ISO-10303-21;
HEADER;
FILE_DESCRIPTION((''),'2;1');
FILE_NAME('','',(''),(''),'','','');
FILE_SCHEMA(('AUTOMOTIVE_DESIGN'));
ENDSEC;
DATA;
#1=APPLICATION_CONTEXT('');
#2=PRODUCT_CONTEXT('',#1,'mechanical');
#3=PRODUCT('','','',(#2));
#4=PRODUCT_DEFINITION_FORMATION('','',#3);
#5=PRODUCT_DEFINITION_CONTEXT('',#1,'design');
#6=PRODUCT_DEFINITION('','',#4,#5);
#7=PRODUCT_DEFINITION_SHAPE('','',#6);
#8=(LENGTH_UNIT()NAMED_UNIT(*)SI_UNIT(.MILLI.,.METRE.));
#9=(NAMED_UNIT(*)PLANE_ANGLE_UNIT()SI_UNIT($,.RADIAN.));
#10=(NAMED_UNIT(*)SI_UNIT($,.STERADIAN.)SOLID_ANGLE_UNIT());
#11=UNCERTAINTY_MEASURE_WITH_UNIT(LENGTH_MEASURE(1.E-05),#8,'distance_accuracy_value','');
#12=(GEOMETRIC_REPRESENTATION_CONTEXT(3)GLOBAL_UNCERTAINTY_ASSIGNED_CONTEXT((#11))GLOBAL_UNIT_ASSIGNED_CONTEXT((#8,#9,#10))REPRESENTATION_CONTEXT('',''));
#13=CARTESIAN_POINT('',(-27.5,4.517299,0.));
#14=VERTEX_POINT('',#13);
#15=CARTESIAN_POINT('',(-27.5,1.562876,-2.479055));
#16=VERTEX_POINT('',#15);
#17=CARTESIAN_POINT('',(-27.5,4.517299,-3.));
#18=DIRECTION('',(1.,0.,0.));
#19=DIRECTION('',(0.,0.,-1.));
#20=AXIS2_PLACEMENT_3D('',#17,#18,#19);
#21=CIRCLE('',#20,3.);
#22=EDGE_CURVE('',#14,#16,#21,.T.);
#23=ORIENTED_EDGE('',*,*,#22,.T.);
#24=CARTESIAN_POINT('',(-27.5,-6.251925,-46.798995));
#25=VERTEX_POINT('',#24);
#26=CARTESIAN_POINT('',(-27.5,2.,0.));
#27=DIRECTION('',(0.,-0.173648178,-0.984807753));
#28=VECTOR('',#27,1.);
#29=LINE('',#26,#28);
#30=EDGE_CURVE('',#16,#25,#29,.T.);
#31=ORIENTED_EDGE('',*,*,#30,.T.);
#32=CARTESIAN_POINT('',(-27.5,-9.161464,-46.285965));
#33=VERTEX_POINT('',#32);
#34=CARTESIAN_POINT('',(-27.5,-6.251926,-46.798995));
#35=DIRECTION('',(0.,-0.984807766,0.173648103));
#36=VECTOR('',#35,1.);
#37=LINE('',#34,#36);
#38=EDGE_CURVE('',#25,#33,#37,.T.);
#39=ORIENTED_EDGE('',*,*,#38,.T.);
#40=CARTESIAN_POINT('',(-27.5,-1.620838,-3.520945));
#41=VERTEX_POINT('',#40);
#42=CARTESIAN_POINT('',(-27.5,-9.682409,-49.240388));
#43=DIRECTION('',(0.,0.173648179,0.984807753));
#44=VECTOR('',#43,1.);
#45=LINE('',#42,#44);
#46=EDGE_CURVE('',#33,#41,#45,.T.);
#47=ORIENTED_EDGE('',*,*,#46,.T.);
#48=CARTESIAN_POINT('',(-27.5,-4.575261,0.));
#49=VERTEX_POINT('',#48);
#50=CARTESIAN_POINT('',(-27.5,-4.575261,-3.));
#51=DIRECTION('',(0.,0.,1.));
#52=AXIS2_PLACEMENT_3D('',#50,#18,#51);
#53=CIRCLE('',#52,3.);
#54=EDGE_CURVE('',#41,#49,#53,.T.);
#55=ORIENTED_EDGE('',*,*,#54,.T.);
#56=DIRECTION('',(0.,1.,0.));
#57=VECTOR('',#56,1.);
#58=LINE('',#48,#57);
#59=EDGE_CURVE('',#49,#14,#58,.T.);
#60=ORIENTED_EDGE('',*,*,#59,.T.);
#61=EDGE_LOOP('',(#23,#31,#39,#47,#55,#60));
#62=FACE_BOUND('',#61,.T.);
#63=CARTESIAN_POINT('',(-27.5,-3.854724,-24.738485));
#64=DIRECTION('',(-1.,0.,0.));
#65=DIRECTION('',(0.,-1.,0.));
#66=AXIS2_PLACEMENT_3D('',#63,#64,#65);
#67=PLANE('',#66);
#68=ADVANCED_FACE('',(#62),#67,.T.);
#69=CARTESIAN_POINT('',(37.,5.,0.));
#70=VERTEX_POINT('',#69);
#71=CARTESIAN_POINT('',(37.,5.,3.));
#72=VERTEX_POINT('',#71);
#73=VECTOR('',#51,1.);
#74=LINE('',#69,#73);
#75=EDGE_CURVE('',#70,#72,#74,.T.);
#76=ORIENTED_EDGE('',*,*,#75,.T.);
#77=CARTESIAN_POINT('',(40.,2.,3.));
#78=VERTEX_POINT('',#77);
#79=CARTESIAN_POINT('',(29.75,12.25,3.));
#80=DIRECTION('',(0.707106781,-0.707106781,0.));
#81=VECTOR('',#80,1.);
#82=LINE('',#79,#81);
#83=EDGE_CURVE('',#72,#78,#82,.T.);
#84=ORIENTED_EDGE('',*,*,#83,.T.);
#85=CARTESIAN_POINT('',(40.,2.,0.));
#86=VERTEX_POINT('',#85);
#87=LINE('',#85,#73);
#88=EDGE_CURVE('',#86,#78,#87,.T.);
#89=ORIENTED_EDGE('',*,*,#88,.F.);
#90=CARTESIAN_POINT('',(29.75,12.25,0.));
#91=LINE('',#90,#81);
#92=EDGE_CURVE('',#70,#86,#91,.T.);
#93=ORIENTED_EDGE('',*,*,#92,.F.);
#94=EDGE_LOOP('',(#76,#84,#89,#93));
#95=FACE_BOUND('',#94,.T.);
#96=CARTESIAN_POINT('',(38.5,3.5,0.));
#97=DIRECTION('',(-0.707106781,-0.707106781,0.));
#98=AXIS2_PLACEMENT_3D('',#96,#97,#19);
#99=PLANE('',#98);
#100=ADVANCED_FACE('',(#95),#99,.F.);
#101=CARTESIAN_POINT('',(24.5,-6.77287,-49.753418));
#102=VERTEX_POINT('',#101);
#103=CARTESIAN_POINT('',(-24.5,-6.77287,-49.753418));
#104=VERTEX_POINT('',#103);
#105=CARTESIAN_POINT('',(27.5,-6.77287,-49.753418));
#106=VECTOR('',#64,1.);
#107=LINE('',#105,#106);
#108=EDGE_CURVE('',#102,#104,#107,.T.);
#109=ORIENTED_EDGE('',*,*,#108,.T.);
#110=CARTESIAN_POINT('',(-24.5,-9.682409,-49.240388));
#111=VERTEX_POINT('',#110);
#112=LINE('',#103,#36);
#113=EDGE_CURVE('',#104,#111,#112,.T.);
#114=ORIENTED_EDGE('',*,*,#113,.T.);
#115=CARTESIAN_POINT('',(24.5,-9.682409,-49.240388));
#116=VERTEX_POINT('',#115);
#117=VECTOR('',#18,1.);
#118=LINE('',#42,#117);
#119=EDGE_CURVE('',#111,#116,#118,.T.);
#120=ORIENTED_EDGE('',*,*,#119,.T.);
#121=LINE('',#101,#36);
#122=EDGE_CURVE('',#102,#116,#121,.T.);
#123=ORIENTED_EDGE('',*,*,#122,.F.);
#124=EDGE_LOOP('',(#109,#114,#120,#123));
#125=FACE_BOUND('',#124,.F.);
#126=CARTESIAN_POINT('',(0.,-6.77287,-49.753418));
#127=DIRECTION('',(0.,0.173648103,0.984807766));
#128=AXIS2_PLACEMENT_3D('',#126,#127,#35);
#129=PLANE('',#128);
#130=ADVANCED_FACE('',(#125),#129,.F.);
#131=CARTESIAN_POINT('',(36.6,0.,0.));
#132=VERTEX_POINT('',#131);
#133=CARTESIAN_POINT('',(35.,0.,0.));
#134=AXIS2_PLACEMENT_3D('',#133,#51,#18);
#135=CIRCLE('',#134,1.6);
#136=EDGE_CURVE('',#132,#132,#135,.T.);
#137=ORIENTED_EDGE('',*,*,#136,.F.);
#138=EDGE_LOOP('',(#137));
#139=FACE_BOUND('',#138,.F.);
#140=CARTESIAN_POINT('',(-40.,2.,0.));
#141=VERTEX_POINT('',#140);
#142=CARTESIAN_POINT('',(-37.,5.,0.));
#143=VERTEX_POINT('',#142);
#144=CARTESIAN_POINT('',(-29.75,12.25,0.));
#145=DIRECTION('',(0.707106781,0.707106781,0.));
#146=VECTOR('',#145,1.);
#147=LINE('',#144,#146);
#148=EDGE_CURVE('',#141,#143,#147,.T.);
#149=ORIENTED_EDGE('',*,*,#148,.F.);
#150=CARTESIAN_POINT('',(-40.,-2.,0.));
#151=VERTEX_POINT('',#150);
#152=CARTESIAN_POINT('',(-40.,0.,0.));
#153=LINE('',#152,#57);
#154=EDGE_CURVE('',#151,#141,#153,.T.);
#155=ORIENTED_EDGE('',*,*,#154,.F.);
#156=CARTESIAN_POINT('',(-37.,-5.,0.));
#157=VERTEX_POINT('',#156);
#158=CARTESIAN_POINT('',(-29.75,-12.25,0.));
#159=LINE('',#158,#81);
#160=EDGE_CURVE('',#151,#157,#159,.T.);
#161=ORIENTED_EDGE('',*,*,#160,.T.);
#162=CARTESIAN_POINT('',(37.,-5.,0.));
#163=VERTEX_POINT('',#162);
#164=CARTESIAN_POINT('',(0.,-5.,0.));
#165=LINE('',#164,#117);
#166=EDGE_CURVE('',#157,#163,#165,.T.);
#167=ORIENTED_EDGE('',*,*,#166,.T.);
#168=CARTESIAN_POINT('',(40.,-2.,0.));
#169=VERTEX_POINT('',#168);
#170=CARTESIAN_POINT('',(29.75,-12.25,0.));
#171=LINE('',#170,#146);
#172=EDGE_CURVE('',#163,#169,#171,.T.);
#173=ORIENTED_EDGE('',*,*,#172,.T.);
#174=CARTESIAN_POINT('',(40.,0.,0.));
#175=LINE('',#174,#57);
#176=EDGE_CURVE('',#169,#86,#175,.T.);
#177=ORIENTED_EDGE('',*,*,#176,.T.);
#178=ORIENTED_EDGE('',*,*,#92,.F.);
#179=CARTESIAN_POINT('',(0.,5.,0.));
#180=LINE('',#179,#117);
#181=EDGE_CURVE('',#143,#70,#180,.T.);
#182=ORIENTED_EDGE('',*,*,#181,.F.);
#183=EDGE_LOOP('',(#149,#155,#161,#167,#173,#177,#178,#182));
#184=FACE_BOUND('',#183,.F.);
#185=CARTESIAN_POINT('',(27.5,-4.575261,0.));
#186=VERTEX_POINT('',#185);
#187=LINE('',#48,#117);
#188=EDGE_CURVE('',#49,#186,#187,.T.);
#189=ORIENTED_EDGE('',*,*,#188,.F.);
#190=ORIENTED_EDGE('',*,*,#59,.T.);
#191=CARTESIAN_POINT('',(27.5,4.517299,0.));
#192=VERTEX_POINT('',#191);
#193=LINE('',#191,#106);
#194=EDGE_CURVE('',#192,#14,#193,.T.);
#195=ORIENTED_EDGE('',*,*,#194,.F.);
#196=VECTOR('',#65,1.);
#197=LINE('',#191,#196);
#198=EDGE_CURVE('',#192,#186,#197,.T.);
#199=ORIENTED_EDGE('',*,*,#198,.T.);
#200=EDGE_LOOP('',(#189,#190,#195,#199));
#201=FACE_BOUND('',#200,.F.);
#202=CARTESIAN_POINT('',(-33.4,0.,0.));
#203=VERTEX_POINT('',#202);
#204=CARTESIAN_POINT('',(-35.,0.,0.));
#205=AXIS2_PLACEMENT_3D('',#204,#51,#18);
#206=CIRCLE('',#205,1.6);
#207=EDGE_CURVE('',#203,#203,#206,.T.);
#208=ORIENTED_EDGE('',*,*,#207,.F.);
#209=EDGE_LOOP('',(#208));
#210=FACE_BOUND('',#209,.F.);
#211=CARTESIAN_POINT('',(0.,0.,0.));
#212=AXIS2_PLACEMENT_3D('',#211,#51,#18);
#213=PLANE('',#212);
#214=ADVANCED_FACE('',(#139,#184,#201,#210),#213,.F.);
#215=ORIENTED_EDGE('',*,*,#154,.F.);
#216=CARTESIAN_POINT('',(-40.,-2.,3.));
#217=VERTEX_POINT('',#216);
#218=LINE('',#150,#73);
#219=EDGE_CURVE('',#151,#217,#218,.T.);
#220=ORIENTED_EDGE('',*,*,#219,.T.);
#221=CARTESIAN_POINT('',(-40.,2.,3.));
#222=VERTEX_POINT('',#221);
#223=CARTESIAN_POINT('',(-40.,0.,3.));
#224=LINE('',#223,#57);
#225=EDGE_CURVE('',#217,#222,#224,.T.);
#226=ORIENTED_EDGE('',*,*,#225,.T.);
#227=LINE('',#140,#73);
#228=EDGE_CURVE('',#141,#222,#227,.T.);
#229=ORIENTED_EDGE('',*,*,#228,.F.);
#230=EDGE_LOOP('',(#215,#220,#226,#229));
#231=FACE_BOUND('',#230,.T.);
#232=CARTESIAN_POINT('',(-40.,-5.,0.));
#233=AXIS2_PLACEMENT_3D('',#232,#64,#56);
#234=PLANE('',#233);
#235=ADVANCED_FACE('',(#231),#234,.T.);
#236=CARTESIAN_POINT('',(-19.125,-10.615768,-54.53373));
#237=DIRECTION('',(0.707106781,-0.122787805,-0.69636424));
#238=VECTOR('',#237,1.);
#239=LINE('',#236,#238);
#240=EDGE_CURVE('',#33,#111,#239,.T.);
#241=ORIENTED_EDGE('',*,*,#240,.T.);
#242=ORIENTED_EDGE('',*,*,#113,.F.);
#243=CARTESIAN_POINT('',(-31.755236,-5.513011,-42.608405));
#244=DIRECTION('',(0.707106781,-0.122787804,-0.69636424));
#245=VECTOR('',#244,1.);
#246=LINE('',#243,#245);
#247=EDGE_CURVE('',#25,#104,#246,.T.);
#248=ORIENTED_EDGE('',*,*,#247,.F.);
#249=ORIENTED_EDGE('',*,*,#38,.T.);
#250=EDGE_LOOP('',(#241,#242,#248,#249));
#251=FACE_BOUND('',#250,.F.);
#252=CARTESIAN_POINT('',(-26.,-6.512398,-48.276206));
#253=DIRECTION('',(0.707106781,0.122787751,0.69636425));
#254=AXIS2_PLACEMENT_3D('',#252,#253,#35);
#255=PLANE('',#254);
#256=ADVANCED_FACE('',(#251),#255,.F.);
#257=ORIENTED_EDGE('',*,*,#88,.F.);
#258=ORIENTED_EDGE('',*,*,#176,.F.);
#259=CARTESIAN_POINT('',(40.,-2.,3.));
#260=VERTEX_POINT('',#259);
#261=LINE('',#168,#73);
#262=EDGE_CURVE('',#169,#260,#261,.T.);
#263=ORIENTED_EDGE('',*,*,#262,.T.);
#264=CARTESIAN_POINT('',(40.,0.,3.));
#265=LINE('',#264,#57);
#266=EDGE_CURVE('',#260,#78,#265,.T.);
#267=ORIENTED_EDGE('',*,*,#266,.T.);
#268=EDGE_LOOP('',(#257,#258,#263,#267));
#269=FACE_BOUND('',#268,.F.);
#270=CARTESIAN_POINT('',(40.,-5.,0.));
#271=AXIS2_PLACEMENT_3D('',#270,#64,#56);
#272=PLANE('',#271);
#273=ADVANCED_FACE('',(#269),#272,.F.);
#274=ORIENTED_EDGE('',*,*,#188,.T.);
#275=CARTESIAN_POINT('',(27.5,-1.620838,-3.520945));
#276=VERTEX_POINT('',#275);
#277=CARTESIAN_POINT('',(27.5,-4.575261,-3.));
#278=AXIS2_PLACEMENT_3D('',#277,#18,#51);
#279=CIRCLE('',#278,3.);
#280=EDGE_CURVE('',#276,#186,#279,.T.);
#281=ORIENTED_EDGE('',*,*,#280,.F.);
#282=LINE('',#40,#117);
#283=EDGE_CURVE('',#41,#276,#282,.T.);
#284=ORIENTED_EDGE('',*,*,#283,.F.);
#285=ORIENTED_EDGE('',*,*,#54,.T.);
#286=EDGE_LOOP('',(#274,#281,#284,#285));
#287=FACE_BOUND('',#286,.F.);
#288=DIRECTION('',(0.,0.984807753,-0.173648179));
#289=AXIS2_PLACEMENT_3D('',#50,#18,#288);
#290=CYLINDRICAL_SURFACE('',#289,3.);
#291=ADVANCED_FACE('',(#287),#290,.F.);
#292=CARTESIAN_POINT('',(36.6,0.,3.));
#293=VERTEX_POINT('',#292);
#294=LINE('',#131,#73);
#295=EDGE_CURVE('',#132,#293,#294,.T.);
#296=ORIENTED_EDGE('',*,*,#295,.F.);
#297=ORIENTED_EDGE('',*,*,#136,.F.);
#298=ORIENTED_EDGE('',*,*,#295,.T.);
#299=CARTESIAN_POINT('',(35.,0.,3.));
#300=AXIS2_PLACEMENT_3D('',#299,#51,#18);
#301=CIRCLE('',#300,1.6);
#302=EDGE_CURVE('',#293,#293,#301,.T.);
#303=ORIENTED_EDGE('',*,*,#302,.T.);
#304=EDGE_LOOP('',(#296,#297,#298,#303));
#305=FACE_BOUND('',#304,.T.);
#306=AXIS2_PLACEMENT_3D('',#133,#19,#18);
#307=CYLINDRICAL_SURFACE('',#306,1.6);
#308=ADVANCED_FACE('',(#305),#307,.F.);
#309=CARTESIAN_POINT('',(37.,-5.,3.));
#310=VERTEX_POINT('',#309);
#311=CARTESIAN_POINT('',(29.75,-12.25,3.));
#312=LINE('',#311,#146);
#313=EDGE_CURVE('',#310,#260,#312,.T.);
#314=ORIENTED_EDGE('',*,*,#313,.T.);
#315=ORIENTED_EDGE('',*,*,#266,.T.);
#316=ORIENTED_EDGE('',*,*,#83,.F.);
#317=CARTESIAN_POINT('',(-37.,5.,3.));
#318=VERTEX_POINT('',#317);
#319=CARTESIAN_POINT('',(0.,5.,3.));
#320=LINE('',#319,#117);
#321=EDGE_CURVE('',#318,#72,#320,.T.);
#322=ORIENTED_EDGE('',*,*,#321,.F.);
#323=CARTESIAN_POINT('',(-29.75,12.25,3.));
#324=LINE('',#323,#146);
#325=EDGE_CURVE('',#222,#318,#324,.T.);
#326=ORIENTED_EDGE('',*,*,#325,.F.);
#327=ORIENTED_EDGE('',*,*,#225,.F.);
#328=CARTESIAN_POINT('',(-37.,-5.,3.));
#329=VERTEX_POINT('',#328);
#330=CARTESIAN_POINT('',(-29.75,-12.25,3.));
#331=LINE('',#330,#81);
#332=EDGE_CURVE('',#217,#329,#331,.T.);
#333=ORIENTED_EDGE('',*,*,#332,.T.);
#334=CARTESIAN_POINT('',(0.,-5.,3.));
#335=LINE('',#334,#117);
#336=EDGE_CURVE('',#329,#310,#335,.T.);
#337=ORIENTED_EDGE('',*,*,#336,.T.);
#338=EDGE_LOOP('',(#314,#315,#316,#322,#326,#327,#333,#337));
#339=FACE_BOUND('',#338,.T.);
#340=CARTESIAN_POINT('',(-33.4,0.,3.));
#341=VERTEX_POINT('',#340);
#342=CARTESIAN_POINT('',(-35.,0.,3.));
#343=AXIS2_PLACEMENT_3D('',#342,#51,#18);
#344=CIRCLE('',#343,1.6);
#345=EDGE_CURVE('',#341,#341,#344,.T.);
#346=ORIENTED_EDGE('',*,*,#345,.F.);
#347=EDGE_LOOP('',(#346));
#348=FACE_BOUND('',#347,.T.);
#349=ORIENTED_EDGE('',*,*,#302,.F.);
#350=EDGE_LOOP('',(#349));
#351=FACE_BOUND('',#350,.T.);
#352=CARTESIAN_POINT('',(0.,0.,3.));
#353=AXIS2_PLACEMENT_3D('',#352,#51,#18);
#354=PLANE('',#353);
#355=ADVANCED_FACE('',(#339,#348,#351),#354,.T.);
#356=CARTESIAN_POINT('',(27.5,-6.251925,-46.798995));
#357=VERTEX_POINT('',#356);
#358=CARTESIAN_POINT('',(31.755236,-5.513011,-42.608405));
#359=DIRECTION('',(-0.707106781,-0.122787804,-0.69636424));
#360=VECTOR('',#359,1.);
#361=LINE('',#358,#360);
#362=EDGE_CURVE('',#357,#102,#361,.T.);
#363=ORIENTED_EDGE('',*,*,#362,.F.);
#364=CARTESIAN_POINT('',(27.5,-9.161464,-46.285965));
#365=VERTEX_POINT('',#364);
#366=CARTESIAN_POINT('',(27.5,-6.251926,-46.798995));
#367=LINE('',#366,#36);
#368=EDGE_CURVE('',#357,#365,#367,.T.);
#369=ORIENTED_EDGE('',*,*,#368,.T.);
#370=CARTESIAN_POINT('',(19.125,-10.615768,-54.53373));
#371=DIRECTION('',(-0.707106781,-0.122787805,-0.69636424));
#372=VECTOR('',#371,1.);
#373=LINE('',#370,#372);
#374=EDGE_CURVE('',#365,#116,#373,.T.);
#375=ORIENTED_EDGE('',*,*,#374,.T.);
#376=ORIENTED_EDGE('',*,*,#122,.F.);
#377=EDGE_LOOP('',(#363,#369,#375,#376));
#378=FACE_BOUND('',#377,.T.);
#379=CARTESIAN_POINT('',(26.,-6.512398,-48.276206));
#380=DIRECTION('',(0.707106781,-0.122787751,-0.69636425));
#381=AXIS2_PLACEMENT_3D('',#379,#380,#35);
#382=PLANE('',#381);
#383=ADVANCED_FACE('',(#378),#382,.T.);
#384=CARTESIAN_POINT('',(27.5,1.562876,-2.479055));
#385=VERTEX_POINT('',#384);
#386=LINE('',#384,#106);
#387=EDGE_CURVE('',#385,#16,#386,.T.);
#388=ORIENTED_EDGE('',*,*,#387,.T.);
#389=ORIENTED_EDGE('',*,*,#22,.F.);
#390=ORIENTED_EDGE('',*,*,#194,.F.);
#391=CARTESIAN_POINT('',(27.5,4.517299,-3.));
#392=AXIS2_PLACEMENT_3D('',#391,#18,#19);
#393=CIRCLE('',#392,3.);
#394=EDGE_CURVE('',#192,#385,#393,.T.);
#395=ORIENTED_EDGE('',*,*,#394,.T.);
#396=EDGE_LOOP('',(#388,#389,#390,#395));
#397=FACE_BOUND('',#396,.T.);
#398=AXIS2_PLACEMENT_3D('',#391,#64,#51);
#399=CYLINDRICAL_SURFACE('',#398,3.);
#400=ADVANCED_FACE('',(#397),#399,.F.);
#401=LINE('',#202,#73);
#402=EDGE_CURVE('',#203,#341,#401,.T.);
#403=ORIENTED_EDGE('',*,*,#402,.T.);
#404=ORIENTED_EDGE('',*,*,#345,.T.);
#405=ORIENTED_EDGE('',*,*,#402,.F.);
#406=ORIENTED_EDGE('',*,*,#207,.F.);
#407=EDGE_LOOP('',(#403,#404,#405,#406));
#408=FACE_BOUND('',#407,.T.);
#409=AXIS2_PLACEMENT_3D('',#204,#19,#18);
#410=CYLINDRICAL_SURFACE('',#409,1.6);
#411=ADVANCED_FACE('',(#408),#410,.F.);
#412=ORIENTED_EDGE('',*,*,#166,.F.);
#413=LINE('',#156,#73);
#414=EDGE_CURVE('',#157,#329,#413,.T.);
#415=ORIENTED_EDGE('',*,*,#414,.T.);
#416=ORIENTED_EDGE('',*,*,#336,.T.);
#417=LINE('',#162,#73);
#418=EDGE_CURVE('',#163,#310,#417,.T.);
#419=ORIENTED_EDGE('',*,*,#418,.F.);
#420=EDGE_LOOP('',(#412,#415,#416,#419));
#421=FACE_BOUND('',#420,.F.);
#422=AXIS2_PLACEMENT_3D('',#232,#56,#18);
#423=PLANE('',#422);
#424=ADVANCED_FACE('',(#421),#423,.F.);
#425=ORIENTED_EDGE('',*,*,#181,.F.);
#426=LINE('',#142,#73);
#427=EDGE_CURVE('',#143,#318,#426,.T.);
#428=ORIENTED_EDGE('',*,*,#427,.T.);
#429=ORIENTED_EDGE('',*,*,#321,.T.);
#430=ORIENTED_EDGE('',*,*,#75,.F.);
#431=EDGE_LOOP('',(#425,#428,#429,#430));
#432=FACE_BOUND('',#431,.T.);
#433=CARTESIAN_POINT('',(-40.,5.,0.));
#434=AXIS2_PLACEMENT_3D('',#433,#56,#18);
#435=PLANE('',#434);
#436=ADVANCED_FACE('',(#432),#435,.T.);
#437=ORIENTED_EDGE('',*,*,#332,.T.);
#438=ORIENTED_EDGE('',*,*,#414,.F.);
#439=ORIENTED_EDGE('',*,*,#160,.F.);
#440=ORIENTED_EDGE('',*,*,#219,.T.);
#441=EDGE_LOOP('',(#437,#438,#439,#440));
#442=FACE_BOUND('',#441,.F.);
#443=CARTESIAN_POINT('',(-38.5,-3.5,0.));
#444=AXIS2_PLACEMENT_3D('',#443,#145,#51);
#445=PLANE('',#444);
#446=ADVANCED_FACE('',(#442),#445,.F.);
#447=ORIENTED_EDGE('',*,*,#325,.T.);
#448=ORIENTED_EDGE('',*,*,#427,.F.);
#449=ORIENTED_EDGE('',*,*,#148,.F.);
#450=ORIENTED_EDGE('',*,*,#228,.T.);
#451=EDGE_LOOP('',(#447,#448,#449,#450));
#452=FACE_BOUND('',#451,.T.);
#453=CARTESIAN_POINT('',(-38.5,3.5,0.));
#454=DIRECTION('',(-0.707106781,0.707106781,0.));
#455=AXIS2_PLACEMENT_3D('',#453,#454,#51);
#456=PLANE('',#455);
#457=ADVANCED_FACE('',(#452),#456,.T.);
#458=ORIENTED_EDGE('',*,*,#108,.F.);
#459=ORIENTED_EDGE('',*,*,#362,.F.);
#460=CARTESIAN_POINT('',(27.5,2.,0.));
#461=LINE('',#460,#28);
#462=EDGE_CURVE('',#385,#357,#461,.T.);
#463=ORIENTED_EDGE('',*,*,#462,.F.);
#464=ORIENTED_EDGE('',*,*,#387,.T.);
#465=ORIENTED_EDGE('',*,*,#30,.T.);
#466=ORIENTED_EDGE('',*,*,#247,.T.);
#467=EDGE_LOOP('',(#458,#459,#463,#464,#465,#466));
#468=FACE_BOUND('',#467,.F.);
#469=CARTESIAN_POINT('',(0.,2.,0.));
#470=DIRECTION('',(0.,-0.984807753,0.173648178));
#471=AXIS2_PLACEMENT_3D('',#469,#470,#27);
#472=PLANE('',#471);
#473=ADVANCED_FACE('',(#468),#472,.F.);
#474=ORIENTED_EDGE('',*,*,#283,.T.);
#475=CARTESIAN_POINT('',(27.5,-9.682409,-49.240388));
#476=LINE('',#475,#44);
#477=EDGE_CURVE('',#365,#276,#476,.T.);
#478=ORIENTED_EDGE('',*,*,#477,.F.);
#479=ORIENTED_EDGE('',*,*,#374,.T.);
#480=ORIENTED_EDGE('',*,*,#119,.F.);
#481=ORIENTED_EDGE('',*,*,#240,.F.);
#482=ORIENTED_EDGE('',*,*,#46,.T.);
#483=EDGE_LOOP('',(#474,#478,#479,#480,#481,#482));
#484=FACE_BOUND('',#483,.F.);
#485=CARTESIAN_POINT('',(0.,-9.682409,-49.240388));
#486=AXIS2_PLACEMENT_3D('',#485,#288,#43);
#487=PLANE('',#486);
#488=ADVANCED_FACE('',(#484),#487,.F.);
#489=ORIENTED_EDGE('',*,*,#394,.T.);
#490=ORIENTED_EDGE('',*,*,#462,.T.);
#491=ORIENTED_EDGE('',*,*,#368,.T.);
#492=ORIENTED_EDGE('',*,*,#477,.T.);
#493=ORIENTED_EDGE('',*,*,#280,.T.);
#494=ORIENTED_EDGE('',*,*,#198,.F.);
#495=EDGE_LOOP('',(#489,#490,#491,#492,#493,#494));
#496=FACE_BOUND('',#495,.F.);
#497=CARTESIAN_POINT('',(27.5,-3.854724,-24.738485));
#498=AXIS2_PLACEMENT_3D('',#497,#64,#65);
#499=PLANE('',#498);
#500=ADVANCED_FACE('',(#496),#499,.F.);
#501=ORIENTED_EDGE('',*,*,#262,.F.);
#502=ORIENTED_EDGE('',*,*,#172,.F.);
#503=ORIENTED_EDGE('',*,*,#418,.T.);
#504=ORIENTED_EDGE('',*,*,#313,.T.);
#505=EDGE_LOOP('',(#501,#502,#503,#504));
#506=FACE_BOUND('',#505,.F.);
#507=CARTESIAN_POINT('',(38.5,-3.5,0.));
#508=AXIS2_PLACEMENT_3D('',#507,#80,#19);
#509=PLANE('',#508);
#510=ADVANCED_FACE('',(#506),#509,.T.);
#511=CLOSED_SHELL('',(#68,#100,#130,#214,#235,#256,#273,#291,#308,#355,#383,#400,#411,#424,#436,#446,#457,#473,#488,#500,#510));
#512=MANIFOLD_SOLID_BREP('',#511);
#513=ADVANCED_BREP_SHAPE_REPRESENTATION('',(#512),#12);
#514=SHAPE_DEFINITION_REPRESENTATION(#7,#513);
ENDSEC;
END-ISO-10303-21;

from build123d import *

# Parameters (mm, degrees)
SKETCH243_W     = 80
SKETCH243_H     = 10
SKETCH243_R     = 1.6
PAD126_DEPTH    = 3
CHAMFER087_SIZE = 3
PAD127_DEPTH    = 27.5
CHAMFER088_SIZE = 3
FILLET084_R     = 3


with BuildPart() as part:
    # Sketch243 → Pad126 (new body)
    with BuildSketch(Plane.XY):
        Rectangle(SKETCH243_W, SKETCH243_H)
        with Locations((35, 0)):
            Circle(SKETCH243_R, mode=Mode.SUBTRACT)
        with Locations((-35, 0)):
            Circle(SKETCH243_R, mode=Mode.SUBTRACT)
    extrude(amount=PAD126_DEPTH)

    # Chamfer087
    chamfer087_edges = [part.edges().sort_by_distance(p)[0] for p in [
        (40, -5, 1.5),
        (40, 5, 1.5),
        (-40, -5, 1.5),
        (-40, 5, 1.5),
    ]]
    chamfer(chamfer087_edges, length=CHAMFER087_SIZE)

    # Sketch244 → Pad127 (join, symmetric)
    with BuildSketch(Plane.YZ):
        Polygon((-1, 0), (2, 0), (-6.77287, -49.753418), (-9.682409, -49.240388), align=None)
    extrude(amount=PAD127_DEPTH, both=True)

    # Chamfer088
    chamfer088_edges = [part.edges().sort_by_distance(p)[0] for p in [
        (-27.5, -8.227639, -49.496903),
        (27.5, -8.227639, -49.496903),
    ]]
    chamfer(chamfer088_edges, length=CHAMFER088_SIZE)

    # Fillet084
    fillet084_edges = [part.edges().sort_by_distance(p)[0] for p in [
        (0, -1, 0),
        (0, 2, 0),
    ]]
    fillet(fillet084_edges, radius=FILLET084_R)


solid = part.part
